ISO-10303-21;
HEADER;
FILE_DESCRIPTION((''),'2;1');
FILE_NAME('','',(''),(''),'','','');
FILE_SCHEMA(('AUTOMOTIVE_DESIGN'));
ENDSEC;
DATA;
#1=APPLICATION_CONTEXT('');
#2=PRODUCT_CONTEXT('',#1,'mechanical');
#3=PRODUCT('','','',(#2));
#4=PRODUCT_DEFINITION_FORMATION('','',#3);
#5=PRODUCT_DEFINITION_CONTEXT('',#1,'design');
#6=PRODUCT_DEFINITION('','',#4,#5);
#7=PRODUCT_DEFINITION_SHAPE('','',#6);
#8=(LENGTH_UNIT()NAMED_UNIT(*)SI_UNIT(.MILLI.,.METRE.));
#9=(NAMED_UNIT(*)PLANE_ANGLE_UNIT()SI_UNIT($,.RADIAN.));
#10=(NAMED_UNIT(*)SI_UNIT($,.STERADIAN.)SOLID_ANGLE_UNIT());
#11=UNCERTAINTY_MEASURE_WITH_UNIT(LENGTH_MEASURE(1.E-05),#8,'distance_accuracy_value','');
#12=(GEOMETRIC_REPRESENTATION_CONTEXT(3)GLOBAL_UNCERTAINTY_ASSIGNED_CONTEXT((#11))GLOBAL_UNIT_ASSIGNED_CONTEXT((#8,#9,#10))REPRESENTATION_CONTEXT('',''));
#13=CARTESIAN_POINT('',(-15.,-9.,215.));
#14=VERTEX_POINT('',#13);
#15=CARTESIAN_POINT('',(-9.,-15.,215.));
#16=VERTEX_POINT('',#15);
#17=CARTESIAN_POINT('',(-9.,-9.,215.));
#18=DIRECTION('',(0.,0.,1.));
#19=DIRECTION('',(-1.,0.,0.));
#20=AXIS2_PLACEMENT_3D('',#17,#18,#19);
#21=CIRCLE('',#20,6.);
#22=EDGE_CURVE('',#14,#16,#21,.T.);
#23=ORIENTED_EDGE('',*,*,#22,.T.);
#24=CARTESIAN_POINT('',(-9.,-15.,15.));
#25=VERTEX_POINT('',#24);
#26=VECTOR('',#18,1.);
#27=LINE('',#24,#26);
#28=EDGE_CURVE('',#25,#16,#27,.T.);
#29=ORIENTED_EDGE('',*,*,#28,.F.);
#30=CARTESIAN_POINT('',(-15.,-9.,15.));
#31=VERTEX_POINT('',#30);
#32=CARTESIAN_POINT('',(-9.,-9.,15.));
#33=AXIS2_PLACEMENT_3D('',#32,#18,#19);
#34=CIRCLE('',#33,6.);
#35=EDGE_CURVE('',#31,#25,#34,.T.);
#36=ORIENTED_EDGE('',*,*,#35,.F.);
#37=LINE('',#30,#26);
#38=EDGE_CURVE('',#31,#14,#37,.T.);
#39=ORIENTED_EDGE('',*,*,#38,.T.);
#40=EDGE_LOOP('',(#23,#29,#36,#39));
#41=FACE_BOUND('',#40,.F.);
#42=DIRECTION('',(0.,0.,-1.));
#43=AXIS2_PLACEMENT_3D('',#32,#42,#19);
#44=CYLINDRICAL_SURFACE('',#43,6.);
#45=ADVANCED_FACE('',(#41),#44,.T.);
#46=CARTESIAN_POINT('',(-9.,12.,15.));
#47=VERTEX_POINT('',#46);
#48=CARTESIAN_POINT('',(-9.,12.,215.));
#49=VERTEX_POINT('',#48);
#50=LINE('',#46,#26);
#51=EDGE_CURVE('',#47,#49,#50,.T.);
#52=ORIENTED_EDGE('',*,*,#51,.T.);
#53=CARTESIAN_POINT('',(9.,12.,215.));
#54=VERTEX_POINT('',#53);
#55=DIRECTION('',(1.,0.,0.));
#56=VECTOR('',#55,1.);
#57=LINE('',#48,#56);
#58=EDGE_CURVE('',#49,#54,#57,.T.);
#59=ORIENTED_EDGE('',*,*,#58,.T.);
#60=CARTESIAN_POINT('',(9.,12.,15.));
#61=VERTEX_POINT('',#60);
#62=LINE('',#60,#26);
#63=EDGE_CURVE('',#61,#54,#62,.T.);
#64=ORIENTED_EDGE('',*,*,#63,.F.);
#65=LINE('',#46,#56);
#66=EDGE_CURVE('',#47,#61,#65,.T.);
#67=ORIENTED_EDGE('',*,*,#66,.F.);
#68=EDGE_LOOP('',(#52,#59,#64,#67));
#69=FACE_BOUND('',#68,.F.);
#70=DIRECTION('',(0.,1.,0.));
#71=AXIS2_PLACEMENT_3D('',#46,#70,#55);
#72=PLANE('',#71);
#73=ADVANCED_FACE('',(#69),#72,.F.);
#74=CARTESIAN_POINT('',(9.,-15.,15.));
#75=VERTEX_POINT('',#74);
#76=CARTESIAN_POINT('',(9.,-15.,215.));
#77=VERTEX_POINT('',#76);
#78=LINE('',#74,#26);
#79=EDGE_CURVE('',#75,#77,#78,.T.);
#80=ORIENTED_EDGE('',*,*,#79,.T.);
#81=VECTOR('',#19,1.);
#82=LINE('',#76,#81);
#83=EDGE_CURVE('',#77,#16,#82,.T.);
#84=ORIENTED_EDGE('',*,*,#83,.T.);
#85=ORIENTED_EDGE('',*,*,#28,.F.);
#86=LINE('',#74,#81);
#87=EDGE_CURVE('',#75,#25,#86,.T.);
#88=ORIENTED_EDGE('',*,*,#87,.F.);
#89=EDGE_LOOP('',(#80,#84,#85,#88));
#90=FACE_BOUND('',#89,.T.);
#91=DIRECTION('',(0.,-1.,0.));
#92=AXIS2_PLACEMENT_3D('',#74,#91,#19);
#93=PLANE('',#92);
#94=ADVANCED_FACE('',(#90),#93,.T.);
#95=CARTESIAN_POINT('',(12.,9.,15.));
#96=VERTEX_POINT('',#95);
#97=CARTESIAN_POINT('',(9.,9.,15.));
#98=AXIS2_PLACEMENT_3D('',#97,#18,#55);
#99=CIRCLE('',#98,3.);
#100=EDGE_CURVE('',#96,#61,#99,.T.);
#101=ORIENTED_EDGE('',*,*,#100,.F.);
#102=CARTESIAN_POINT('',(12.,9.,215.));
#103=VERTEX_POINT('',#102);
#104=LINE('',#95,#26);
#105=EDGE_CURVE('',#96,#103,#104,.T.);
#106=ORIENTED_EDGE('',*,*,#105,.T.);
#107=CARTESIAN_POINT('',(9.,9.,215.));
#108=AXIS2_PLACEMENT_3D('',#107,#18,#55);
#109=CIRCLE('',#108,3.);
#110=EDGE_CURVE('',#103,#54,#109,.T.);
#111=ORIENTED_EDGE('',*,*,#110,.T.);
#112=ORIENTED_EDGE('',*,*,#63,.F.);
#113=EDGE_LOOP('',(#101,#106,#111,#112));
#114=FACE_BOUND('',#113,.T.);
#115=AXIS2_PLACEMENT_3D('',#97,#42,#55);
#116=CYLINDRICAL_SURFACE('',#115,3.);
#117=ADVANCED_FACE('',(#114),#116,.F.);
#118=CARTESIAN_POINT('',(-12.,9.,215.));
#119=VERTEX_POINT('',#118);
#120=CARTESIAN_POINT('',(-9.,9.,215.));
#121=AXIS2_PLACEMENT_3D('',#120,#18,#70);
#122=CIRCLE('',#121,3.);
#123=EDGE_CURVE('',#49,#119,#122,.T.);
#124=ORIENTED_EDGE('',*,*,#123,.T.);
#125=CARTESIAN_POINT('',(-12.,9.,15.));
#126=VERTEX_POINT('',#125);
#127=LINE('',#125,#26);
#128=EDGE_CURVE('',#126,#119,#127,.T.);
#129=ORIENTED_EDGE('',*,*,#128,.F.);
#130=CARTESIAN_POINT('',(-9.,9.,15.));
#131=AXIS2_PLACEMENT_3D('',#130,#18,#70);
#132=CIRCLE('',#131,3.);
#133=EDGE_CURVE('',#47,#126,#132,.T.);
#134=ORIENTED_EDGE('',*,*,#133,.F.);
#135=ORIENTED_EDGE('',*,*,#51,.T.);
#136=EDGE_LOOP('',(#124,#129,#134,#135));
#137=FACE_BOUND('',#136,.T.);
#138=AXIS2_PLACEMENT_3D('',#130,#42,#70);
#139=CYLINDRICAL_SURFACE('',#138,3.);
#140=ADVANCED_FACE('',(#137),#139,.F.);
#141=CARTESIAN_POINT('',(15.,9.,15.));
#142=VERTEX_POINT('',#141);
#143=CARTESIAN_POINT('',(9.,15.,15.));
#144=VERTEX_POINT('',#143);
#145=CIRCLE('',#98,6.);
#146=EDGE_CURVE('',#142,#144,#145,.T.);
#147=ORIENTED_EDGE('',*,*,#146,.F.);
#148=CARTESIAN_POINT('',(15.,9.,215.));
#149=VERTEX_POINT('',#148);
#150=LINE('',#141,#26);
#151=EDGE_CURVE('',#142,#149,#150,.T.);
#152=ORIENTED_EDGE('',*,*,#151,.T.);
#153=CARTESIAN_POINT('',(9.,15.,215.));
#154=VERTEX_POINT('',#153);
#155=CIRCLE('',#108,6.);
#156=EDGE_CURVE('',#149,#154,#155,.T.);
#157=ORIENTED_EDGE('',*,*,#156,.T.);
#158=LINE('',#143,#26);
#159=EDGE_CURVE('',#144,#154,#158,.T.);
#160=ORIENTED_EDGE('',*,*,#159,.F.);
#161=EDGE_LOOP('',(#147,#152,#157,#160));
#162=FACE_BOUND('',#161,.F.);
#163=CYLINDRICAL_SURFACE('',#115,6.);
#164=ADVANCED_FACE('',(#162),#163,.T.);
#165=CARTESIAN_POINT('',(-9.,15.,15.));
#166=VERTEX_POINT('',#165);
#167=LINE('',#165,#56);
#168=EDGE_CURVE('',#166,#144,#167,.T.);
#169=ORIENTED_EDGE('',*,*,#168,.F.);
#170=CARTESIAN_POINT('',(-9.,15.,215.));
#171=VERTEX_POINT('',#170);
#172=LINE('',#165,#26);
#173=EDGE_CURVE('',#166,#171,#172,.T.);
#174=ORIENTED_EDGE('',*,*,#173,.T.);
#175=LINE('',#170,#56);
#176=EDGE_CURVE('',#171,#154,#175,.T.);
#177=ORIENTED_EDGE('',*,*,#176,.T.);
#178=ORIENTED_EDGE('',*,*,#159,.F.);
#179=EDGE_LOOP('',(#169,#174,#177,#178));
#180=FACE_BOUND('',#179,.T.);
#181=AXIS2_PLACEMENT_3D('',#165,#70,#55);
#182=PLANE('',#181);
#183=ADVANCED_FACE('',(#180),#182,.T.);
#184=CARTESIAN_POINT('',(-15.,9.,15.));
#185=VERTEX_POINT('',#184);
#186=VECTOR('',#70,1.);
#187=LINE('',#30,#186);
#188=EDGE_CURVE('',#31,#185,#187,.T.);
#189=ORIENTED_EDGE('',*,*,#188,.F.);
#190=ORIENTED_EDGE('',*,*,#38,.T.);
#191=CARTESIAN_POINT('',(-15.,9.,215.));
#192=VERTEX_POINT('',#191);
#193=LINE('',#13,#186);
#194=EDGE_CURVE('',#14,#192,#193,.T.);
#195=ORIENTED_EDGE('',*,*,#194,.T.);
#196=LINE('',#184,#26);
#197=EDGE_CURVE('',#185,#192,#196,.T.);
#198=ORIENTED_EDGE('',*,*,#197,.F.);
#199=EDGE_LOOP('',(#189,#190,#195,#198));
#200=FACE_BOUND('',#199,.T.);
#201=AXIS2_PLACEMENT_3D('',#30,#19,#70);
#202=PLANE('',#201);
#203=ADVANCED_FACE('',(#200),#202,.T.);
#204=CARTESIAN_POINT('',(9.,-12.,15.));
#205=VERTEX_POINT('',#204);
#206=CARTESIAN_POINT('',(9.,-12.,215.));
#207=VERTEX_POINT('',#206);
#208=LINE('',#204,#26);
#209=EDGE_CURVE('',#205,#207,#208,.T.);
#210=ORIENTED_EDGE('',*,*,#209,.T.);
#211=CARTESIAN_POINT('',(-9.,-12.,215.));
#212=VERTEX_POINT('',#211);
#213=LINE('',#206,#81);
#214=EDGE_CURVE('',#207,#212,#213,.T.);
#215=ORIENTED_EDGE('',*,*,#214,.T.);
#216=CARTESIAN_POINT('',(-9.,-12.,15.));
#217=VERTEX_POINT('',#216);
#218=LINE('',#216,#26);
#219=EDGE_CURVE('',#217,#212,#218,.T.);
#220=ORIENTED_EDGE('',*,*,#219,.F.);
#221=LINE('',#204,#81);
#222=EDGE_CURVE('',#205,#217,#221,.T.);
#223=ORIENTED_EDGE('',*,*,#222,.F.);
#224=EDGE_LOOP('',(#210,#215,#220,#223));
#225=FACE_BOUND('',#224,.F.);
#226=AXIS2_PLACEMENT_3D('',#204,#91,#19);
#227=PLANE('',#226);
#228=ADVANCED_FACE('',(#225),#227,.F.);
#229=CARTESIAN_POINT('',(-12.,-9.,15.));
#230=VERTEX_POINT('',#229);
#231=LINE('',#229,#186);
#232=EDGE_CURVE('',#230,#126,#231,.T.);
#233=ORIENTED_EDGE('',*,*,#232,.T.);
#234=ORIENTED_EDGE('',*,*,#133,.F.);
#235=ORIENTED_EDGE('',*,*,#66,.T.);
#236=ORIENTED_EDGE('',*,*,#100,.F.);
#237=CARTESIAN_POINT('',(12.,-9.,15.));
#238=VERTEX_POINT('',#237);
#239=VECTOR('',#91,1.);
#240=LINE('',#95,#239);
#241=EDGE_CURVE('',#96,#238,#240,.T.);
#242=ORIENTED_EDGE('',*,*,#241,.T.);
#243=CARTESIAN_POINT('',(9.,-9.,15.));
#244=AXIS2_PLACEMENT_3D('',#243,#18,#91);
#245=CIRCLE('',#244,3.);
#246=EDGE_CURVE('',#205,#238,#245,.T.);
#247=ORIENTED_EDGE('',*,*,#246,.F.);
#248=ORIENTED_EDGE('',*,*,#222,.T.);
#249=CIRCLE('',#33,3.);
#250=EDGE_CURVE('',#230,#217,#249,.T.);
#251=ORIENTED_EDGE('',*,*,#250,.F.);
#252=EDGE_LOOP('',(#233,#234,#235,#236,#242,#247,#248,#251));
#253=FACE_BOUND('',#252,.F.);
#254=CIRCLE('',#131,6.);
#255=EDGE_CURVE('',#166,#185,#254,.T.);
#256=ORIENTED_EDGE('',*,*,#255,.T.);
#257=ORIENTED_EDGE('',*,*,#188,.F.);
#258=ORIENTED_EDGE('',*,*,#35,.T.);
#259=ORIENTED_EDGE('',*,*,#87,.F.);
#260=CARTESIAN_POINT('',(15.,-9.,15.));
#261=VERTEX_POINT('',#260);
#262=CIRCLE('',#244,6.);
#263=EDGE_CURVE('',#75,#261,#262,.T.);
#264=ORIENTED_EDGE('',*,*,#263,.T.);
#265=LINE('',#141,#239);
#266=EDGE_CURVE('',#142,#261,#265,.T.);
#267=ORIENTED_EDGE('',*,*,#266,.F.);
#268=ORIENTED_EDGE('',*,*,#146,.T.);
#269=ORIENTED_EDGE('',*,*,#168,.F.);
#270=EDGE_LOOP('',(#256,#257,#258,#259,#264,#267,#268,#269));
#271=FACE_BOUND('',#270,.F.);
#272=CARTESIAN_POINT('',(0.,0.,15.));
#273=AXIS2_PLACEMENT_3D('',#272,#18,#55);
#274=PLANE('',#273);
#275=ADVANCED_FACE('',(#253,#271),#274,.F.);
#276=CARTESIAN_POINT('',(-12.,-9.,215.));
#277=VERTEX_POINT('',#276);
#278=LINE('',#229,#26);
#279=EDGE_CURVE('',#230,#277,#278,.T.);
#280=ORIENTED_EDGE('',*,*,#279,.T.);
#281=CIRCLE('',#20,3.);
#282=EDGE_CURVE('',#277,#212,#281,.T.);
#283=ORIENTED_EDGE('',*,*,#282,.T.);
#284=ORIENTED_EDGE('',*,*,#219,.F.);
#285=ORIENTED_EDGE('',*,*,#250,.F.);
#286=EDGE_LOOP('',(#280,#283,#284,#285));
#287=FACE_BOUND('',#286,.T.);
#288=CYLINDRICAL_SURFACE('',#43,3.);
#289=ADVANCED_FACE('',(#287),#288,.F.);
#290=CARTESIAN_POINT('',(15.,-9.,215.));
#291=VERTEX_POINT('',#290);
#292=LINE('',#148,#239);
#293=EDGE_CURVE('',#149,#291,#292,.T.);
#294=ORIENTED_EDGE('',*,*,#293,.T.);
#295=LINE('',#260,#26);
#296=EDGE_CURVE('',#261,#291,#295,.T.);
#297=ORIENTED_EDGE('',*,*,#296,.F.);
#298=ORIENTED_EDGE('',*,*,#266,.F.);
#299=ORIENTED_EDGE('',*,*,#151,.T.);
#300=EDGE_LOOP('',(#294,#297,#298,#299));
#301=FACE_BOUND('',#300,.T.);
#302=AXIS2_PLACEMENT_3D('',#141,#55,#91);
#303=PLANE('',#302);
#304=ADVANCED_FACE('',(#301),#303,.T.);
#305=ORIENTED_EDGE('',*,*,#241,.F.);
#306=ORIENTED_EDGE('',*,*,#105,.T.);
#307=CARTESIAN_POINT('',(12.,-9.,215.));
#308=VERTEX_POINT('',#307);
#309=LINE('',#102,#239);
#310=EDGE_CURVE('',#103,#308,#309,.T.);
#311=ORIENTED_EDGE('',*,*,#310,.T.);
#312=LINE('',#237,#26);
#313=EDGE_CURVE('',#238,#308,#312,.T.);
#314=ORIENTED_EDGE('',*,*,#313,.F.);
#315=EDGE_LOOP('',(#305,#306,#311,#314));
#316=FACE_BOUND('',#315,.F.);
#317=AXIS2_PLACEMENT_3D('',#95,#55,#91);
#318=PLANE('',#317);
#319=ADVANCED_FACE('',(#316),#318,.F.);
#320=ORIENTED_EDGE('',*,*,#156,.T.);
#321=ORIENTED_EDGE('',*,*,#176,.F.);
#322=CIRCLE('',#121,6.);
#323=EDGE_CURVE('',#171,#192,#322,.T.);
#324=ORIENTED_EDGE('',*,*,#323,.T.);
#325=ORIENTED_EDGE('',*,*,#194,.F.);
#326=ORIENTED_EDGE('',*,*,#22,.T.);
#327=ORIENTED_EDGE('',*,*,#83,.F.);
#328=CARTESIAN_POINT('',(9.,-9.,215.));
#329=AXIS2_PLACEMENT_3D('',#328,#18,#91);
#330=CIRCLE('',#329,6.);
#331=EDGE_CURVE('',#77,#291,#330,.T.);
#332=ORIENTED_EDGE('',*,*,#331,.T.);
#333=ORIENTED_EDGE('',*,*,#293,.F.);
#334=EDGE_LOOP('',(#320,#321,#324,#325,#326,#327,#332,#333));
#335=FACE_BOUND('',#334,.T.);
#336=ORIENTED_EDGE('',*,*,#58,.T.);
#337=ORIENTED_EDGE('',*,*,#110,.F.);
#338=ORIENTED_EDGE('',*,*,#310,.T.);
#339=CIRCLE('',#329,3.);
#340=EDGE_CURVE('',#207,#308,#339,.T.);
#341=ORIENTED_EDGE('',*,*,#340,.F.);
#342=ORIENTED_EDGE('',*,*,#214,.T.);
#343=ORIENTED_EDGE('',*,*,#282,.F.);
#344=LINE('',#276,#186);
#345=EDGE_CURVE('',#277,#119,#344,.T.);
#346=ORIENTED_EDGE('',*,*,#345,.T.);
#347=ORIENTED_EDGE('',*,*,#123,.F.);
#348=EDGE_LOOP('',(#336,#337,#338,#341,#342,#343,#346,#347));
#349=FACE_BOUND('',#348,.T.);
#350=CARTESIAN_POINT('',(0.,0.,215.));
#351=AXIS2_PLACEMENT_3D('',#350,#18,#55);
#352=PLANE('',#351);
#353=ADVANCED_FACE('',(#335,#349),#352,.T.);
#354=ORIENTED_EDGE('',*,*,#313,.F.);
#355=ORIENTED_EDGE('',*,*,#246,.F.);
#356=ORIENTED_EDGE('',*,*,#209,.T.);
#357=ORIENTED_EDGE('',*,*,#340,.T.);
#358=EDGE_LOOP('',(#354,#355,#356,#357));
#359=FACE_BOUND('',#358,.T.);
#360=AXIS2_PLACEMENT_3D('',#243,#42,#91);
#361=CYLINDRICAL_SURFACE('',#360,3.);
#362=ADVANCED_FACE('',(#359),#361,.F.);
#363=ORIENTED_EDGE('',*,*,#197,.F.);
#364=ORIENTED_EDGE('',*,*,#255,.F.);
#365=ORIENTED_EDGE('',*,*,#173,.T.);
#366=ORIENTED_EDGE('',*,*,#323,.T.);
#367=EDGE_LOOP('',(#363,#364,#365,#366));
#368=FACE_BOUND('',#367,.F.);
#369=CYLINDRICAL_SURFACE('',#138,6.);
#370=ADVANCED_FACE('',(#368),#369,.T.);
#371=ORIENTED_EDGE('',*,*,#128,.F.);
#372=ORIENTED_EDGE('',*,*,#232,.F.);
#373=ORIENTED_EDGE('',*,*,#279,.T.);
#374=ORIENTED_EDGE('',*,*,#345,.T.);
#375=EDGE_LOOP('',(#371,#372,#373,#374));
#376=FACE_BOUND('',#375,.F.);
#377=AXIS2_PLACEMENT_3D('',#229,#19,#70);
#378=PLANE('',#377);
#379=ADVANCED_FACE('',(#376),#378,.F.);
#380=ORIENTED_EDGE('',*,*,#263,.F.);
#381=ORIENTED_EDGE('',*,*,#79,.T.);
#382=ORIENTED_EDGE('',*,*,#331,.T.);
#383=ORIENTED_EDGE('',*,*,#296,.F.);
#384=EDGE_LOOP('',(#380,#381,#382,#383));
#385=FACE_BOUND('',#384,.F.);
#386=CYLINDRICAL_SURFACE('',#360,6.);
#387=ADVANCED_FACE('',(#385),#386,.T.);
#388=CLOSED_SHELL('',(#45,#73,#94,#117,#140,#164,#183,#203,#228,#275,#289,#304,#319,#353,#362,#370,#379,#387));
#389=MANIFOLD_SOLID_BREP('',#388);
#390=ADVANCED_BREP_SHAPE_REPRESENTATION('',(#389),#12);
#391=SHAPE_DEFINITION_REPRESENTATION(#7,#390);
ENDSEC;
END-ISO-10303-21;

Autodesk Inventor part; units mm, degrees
ref_plane "Start Plane" through (0, 0, 15) normal (0, 0, 1) x (1, 0, 0)
ref_plane "End Plane" through (0, 0, 215) normal (0, 0, 1) x (1, 0, 0)
sketch "Sketch" plane through (0, 0, 0) normal (0, 0, 1) x (1, 0, 0)
  line L0 (-15, -9) -> (-15, 9)
  line L1 (-9, 15) -> (9, 15)
  line L2 (15, 9) -> (15, -9)
  line L3 (9, -15) -> (-9, -15)
  arc A0 (-15, -9) -> (-9, -15) centre (-9, -9) ccw
  arc A1 (-9, 15) -> (-15, 9) centre (-9, 9) ccw
  arc A2 (15, 9) -> (9, 15) centre (9, 9) ccw
  arc A3 (9, -15) -> (15, -9) centre (9, -9) ccw
  arc A4 (-9, 12) -> (-12, 9) centre (-9, 9) ccw
  line L4 (-9, 12) -> (9, 12)
  arc A5 (12, 9) -> (9, 12) centre (9, 9) ccw
  line L5 (12, 9) -> (12, -9)
  arc A6 (9, -12) -> (12, -9) centre (9, -9) ccw
  line L6 (9, -12) -> (-9, -12)
  arc A7 (-12, -9) -> (-9, -12) centre (-9, -9) ccw
  line L7 (-12, -9) -> (-12, 9)
  line L8 (0, 22.7397) -> (0, -22.7397) construction
  line L9 (-22.7397, 0) -> (22.7397, 0) construction
  dimension "d7" = 6
  dimension "d10" = 30
  dimension "d11" = 30
  dimension "d12" = 3
  dimension "d15" = 15
  dimension "d16" = 15
extrude "Body" add sketch "Sketch" along normal up to surface (200 mm away) from surface at 15
sketch "Sketch3" plane through (0, 0, 0) normal (0, 0, 1) x (1, 0, 0)
  line L0 (0, 0) -> (10, 0)
ref_plane "Work Plane3" through (0, 0, 0) normal (0, -1, 0) x (1, 0, 0)
ref_plane "Work Plane4" through (-9, 0, 15) normal (0, 0, -1) x (-1, 0, 0)
split "Split1" plane through (-9, 0, 15) removes the side toward (0, 0, -1)
ref_plane "Work Plane5" through (9, 0, 215) normal (0, 0, 1) x (1, 0, 0)
split "Split2" plane through (9, 0, 215) removes the side toward (0, 0, 1)
sketch "Sketch4" plane through (0, 0, 0) normal (0, -1, 0) x (1, 0, 0)
  line L0 (-2, 15) -> (12, 15) projected
  line L1 (-2, 215) -> (12, 215) projected
  dimension "d18" = 200
equation "\"d7\" = G_IR"
equation "\"d10\" = G_H"
equation "\"d11\" = G_W"
equation "\"d12\" = G_T"
equation "\"d15\" = 0.5 * d10"
equation "\"d16\" = 0.5 * d11"
equation "\"d3\" = G_L"
equation "\"G_W\" = 30"
equation "\"G_H\" = 30"
equation "\"G_T\" = 3"
equation "\"G_IR\" = 6"
equation "\"G_L\" = d18"
equation "\"G_OFFSET_START\" = -15"
equation "\"G_OFFSET_END\" = -15"
equation "\"d13\" = -G_OFFSET_START"
equation "\"d14\" = G_OFFSET_END + B_L"
equation "\"B_L\" = 230"
properties part number "DIN EN 10219-2 - 30 x 30 x 3  - 200" material "Steel, Mild"
